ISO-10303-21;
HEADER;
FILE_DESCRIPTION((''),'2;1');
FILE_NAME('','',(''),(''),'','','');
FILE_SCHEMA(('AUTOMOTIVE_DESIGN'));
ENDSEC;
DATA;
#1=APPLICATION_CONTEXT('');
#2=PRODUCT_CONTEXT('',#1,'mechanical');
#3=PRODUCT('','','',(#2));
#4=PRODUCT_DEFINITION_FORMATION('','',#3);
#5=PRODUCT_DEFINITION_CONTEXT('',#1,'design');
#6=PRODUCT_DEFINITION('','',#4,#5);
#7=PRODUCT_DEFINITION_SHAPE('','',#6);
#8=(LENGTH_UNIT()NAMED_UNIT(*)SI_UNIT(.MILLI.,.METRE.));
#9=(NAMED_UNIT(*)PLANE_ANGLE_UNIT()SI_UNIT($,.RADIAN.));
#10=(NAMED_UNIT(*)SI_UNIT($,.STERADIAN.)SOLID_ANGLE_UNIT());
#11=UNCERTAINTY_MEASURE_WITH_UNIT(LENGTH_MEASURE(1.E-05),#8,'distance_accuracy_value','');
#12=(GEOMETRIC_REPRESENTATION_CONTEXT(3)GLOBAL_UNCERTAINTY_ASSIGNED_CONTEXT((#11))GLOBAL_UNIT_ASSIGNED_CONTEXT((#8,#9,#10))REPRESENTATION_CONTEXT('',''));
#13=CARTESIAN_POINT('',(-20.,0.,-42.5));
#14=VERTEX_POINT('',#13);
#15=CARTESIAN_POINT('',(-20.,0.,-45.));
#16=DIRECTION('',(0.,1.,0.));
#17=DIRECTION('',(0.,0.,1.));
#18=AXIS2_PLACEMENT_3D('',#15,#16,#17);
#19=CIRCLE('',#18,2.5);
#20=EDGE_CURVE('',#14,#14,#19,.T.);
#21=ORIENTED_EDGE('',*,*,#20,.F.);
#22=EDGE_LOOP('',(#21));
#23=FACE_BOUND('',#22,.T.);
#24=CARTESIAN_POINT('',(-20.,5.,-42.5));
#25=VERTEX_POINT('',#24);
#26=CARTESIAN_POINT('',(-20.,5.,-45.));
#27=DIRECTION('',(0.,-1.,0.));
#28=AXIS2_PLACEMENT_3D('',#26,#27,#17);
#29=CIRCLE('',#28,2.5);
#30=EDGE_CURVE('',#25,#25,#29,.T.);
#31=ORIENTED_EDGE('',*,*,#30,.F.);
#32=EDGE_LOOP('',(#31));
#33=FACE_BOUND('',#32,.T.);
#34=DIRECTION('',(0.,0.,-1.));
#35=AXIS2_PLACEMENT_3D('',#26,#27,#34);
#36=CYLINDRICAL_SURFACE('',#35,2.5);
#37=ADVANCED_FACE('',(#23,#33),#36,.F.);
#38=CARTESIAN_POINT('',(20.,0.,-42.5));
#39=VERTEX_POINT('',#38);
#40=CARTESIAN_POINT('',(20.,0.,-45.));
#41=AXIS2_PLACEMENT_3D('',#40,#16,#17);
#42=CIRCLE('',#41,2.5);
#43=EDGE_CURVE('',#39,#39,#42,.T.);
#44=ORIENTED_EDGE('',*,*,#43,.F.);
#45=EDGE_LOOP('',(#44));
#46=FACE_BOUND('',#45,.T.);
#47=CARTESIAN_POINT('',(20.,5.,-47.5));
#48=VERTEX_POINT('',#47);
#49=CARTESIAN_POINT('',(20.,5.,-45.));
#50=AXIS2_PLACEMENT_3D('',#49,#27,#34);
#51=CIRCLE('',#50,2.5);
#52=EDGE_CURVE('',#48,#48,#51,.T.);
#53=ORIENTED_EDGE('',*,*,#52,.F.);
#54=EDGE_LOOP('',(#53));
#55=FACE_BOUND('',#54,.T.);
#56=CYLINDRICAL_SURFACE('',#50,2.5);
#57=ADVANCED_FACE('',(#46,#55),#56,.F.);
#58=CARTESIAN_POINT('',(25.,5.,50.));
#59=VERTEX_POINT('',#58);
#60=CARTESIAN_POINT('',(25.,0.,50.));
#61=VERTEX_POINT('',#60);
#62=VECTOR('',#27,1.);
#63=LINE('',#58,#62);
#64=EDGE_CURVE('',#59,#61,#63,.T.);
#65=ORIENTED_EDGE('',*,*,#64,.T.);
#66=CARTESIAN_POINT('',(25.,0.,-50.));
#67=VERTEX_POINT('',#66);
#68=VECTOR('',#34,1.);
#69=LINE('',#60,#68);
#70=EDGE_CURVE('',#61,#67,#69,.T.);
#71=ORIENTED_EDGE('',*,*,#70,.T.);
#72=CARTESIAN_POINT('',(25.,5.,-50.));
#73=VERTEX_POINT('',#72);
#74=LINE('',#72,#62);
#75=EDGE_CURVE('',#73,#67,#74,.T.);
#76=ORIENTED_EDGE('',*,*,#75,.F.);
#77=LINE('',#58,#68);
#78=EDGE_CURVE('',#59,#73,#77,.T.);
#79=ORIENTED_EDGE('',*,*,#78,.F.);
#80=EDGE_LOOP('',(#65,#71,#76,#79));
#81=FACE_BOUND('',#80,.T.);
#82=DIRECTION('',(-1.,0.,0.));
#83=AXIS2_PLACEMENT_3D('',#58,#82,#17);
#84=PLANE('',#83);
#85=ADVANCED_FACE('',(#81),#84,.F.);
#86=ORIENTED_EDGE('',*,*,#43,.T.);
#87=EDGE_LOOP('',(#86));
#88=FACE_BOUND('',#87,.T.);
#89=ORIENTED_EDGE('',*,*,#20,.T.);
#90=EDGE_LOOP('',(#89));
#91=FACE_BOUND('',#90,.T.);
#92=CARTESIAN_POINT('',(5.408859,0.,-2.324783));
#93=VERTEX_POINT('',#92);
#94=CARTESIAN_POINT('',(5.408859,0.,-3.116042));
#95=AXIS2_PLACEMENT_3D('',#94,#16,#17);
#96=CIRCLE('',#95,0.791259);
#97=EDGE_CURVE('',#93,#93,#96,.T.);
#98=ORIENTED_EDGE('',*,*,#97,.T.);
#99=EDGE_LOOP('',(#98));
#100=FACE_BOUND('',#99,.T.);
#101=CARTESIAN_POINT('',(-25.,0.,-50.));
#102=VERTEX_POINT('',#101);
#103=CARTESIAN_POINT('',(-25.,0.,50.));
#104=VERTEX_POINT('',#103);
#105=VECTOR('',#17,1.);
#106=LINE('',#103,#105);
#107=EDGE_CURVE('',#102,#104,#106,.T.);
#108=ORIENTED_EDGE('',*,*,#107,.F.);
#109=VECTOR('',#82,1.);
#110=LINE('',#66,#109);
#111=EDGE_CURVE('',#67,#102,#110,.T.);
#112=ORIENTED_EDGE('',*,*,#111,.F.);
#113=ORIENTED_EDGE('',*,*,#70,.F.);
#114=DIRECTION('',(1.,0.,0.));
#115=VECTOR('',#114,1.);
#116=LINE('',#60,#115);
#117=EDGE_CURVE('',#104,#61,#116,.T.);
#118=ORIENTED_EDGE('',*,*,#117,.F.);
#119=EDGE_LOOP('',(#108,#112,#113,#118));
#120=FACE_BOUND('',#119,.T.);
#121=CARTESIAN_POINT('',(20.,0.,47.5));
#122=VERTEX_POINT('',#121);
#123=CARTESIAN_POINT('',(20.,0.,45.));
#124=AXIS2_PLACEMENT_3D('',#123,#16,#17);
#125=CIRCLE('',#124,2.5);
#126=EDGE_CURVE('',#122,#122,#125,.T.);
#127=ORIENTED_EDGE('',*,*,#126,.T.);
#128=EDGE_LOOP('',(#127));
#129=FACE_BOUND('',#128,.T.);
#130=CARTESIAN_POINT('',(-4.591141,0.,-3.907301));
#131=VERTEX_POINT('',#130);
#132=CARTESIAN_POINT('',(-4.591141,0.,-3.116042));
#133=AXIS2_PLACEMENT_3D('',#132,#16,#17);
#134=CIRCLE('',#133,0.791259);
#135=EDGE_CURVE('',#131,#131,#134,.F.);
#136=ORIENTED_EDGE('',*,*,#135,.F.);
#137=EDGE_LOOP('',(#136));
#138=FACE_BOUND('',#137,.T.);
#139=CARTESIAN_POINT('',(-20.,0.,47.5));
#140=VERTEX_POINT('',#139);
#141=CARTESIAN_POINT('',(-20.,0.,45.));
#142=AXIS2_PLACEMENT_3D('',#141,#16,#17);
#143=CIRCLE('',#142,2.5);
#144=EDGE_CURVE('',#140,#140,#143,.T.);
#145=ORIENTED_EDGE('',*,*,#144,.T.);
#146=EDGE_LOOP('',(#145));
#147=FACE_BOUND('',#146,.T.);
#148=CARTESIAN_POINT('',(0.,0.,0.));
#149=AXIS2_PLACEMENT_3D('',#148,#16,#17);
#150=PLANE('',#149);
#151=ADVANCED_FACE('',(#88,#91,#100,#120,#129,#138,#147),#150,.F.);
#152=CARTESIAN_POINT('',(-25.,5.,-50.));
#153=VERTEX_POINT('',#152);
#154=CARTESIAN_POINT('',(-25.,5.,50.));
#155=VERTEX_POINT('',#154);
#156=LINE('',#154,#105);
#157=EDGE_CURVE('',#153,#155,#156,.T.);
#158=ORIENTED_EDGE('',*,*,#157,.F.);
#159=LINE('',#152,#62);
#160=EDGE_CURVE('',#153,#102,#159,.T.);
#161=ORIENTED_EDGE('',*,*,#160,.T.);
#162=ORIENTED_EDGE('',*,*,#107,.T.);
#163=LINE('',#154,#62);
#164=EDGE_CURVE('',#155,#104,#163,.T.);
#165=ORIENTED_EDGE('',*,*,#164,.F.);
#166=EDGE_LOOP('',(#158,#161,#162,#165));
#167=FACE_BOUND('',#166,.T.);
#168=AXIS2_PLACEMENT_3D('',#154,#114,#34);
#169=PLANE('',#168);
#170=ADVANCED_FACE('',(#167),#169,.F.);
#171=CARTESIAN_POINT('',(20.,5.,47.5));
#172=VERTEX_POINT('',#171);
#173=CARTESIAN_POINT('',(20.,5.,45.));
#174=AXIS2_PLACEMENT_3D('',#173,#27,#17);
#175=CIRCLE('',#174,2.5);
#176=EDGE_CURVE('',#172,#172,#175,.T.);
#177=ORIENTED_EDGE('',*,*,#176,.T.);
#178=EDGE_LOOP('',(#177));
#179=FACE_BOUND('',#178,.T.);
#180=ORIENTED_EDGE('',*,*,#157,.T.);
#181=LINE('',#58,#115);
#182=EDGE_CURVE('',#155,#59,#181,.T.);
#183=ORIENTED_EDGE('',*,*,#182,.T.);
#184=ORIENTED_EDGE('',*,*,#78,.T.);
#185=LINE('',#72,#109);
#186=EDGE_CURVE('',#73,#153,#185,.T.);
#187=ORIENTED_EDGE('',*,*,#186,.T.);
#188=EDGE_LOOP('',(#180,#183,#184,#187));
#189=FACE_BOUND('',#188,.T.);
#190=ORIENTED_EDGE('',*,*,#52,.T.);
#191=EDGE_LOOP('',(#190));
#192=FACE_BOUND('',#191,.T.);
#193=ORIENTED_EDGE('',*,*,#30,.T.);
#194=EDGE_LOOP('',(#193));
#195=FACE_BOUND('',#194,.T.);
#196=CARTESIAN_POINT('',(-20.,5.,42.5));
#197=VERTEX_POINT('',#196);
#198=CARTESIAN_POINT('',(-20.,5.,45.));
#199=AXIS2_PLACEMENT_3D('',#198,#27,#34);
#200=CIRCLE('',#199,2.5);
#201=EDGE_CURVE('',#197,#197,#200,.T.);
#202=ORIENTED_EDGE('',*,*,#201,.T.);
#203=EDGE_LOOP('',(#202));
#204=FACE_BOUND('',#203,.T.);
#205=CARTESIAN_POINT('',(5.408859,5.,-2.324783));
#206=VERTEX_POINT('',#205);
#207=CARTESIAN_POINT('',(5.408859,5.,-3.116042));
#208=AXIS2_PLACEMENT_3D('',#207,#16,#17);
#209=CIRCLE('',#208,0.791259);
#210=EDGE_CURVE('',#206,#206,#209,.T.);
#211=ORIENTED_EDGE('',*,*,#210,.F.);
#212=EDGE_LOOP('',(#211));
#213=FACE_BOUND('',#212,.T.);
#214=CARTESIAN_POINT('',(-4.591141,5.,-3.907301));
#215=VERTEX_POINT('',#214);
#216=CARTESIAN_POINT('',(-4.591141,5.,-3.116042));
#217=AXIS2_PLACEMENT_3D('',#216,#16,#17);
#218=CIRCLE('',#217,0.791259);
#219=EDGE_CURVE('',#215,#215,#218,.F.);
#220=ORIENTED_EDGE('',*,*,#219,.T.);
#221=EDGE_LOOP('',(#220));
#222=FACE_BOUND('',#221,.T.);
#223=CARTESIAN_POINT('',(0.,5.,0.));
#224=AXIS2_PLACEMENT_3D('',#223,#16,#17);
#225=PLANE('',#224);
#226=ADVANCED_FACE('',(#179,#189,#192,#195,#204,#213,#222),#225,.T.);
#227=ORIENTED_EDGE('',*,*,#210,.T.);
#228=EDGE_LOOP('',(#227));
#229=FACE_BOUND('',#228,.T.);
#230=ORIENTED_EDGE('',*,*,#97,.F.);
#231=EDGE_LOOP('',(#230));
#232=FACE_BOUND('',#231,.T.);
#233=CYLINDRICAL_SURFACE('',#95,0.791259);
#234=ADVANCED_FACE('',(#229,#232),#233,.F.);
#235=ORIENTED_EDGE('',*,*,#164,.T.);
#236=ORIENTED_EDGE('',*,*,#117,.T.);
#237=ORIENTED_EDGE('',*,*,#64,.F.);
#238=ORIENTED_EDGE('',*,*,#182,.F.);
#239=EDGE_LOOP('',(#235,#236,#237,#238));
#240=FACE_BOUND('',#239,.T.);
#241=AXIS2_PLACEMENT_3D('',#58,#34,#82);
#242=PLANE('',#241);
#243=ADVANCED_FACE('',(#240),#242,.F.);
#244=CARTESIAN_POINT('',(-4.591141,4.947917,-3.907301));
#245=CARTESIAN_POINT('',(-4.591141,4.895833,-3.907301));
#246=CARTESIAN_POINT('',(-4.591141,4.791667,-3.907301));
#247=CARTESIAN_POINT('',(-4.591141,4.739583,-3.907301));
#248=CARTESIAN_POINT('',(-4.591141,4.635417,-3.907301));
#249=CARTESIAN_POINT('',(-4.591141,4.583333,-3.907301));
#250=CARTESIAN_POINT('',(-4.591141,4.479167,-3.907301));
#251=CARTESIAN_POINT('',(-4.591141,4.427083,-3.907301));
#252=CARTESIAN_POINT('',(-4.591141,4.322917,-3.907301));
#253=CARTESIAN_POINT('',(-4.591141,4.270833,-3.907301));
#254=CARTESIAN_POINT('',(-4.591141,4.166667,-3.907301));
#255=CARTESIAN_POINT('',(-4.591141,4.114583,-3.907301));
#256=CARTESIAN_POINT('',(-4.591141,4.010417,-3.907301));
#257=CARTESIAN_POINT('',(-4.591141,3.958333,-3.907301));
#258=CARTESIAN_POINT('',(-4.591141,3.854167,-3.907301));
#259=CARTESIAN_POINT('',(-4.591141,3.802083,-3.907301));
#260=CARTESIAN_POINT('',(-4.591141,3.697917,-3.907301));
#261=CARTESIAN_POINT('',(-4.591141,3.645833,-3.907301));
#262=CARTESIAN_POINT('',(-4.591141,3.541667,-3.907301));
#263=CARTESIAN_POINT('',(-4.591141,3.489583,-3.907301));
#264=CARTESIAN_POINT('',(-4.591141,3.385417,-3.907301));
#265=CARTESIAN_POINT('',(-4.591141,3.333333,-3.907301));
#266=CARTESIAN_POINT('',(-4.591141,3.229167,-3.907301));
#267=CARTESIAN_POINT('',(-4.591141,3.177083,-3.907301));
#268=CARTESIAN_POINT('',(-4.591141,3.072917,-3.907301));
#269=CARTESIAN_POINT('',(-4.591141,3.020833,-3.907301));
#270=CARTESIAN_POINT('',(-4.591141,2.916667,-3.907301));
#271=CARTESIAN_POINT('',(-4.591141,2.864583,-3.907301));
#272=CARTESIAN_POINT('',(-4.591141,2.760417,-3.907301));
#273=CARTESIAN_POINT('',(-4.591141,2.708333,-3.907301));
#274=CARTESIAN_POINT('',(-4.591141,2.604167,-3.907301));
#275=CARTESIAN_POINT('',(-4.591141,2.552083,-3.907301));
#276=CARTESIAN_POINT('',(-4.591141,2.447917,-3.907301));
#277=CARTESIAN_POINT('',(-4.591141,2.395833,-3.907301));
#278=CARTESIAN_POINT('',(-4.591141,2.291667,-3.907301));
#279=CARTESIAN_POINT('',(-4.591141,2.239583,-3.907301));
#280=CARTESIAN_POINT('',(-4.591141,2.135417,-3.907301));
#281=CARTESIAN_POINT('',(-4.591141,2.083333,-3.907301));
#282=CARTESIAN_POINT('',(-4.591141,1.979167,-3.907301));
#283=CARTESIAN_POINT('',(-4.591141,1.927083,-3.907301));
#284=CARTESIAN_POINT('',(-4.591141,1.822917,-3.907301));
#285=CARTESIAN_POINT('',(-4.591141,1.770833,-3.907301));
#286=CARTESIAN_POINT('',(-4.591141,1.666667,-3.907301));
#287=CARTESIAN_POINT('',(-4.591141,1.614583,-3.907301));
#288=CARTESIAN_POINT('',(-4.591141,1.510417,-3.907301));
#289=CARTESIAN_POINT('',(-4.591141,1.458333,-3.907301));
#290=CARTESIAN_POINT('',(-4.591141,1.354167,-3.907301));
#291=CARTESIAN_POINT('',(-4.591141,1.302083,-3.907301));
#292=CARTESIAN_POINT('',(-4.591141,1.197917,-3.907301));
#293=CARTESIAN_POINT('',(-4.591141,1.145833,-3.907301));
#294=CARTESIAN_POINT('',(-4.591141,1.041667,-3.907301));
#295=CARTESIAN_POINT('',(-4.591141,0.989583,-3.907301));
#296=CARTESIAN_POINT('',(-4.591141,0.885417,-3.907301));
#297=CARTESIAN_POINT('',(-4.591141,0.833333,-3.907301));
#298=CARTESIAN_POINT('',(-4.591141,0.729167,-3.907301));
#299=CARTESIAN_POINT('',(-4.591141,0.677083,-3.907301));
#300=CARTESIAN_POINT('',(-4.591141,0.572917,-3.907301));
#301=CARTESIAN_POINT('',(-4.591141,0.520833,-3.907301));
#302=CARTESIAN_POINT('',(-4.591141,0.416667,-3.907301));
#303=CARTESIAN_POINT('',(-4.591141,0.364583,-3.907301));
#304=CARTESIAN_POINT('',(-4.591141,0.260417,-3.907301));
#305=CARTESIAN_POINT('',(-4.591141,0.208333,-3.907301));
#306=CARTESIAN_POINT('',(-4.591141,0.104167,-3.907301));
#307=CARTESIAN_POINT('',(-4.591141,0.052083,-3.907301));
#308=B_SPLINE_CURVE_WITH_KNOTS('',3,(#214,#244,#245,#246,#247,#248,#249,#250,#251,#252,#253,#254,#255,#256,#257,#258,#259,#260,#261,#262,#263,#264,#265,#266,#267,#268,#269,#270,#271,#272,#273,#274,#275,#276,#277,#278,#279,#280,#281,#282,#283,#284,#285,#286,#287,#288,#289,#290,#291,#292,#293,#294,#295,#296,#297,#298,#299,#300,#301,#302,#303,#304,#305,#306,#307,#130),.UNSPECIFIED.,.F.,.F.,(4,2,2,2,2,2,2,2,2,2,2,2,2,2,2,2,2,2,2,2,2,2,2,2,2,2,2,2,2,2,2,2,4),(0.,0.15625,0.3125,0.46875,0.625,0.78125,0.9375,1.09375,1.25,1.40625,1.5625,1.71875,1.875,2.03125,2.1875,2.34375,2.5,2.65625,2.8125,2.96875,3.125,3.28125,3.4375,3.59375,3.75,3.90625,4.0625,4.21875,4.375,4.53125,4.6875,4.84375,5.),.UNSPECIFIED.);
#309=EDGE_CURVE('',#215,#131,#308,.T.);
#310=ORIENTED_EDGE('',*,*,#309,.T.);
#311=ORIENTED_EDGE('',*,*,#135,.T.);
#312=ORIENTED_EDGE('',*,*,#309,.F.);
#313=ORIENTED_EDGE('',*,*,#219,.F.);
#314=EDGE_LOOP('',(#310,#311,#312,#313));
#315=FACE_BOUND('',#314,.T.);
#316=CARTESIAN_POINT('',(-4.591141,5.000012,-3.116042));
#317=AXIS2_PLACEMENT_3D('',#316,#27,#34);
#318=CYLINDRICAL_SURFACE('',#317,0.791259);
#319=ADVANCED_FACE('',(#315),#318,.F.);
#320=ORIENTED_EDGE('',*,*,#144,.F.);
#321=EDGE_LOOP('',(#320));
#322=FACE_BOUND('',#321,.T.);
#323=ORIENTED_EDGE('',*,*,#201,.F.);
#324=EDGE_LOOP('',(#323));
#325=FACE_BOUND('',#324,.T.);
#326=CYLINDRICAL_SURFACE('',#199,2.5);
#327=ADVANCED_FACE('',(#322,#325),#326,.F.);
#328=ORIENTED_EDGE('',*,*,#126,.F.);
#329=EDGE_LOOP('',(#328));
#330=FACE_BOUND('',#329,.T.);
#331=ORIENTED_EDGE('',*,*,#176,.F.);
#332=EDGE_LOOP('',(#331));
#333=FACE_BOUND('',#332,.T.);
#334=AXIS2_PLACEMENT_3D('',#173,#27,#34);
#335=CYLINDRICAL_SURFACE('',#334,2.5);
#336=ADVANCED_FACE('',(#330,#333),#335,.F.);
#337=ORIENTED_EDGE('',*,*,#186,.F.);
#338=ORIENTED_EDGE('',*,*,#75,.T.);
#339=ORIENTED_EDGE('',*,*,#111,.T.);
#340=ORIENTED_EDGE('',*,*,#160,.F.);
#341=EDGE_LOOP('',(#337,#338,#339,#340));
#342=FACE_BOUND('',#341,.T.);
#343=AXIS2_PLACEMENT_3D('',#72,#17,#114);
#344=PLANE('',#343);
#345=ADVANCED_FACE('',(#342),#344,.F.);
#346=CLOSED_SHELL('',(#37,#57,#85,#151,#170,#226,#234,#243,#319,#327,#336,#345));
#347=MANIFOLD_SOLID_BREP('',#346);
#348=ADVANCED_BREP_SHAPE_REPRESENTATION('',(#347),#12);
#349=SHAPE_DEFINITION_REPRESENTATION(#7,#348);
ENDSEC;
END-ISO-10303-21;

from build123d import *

# Parameters (mm, degrees)
SKETCH1_W               = 50
SKETCH1_H               = 100
BOSS_EXTRUDE1_DEPTH     = 5
CUT_EXTRUDE1_DEPTH      = 57.124860802
CUT_EXTRUDE1_DEPTH_BACK = 6
SKETCH2_R               = 0.791259191
CUT_EXTRUDE2_DEPTH      = 57.124860802
CUT_EXTRUDE2_DEPTH_BACK = 57.124860802
SKETCH2_3_R             = 0.791259191
CUT_EXTRUDE3_DEPTH      = 57.124860802
CUT_EXTRUDE3_DEPTH_BACK = 57.124860802
SKETCH3_R               = 2.5


with BuildPart() as part:
    # Sketch1 → Boss-Extrude1 (new body)
    with BuildSketch(Plane(origin=(0, 0, 0), x_dir=(1, 0, 0), z_dir=(0, 1, 0))):
        Rectangle(SKETCH1_W, SKETCH1_H)
    extrude(amount=BOSS_EXTRUDE1_DEPTH)

    # Sketch2 → Cut-Extrude1 (cut, two sides: drawn at the far end of the back side and taken through both)
    with BuildSketch(Plane(origin=(0, 5, 0), x_dir=(1, 0, 0), z_dir=(0, 1, 0)).offset(-CUT_EXTRUDE1_DEPTH_BACK)):
        with Locations((-4.591141379, 3.116041861)):
            Circle(SKETCH2_R)
    extrude(amount=CUT_EXTRUDE1_DEPTH + CUT_EXTRUDE1_DEPTH_BACK, mode=Mode.SUBTRACT)

    # Sketch2<3> → Cut-Extrude2 (cut, two sides: drawn at the far end of the back side and taken through both)
    with BuildSketch(Plane(origin=(0, 5, 0), x_dir=(1, 0, 0), z_dir=(0, 1, 0)).offset(-CUT_EXTRUDE2_DEPTH_BACK)):
        with Locations((5.408858621, 3.116041861)):
            Circle(SKETCH2_3_R)
        with Locations((-4.591141379, 3.116041861)):
            Circle(SKETCH2_3_R)
    extrude(amount=CUT_EXTRUDE2_DEPTH + CUT_EXTRUDE2_DEPTH_BACK, mode=Mode.SUBTRACT)

    # Sketch3 → Cut-Extrude3 (cut, two sides: drawn at the far end of the back side and taken through both)
    with BuildSketch(Plane.XZ.offset(-CUT_EXTRUDE3_DEPTH_BACK)):
        with Locations((-20, 45)):
            Circle(SKETCH3_R)
        with Locations((20, 45)):
            Circle(SKETCH3_R)
        with Locations((20, -45)):
            Circle(SKETCH3_R)
        with Locations((-20, -45)):
            Circle(SKETCH3_R)
    extrude(amount=CUT_EXTRUDE3_DEPTH + CUT_EXTRUDE3_DEPTH_BACK, mode=Mode.SUBTRACT)


solid = part.part
